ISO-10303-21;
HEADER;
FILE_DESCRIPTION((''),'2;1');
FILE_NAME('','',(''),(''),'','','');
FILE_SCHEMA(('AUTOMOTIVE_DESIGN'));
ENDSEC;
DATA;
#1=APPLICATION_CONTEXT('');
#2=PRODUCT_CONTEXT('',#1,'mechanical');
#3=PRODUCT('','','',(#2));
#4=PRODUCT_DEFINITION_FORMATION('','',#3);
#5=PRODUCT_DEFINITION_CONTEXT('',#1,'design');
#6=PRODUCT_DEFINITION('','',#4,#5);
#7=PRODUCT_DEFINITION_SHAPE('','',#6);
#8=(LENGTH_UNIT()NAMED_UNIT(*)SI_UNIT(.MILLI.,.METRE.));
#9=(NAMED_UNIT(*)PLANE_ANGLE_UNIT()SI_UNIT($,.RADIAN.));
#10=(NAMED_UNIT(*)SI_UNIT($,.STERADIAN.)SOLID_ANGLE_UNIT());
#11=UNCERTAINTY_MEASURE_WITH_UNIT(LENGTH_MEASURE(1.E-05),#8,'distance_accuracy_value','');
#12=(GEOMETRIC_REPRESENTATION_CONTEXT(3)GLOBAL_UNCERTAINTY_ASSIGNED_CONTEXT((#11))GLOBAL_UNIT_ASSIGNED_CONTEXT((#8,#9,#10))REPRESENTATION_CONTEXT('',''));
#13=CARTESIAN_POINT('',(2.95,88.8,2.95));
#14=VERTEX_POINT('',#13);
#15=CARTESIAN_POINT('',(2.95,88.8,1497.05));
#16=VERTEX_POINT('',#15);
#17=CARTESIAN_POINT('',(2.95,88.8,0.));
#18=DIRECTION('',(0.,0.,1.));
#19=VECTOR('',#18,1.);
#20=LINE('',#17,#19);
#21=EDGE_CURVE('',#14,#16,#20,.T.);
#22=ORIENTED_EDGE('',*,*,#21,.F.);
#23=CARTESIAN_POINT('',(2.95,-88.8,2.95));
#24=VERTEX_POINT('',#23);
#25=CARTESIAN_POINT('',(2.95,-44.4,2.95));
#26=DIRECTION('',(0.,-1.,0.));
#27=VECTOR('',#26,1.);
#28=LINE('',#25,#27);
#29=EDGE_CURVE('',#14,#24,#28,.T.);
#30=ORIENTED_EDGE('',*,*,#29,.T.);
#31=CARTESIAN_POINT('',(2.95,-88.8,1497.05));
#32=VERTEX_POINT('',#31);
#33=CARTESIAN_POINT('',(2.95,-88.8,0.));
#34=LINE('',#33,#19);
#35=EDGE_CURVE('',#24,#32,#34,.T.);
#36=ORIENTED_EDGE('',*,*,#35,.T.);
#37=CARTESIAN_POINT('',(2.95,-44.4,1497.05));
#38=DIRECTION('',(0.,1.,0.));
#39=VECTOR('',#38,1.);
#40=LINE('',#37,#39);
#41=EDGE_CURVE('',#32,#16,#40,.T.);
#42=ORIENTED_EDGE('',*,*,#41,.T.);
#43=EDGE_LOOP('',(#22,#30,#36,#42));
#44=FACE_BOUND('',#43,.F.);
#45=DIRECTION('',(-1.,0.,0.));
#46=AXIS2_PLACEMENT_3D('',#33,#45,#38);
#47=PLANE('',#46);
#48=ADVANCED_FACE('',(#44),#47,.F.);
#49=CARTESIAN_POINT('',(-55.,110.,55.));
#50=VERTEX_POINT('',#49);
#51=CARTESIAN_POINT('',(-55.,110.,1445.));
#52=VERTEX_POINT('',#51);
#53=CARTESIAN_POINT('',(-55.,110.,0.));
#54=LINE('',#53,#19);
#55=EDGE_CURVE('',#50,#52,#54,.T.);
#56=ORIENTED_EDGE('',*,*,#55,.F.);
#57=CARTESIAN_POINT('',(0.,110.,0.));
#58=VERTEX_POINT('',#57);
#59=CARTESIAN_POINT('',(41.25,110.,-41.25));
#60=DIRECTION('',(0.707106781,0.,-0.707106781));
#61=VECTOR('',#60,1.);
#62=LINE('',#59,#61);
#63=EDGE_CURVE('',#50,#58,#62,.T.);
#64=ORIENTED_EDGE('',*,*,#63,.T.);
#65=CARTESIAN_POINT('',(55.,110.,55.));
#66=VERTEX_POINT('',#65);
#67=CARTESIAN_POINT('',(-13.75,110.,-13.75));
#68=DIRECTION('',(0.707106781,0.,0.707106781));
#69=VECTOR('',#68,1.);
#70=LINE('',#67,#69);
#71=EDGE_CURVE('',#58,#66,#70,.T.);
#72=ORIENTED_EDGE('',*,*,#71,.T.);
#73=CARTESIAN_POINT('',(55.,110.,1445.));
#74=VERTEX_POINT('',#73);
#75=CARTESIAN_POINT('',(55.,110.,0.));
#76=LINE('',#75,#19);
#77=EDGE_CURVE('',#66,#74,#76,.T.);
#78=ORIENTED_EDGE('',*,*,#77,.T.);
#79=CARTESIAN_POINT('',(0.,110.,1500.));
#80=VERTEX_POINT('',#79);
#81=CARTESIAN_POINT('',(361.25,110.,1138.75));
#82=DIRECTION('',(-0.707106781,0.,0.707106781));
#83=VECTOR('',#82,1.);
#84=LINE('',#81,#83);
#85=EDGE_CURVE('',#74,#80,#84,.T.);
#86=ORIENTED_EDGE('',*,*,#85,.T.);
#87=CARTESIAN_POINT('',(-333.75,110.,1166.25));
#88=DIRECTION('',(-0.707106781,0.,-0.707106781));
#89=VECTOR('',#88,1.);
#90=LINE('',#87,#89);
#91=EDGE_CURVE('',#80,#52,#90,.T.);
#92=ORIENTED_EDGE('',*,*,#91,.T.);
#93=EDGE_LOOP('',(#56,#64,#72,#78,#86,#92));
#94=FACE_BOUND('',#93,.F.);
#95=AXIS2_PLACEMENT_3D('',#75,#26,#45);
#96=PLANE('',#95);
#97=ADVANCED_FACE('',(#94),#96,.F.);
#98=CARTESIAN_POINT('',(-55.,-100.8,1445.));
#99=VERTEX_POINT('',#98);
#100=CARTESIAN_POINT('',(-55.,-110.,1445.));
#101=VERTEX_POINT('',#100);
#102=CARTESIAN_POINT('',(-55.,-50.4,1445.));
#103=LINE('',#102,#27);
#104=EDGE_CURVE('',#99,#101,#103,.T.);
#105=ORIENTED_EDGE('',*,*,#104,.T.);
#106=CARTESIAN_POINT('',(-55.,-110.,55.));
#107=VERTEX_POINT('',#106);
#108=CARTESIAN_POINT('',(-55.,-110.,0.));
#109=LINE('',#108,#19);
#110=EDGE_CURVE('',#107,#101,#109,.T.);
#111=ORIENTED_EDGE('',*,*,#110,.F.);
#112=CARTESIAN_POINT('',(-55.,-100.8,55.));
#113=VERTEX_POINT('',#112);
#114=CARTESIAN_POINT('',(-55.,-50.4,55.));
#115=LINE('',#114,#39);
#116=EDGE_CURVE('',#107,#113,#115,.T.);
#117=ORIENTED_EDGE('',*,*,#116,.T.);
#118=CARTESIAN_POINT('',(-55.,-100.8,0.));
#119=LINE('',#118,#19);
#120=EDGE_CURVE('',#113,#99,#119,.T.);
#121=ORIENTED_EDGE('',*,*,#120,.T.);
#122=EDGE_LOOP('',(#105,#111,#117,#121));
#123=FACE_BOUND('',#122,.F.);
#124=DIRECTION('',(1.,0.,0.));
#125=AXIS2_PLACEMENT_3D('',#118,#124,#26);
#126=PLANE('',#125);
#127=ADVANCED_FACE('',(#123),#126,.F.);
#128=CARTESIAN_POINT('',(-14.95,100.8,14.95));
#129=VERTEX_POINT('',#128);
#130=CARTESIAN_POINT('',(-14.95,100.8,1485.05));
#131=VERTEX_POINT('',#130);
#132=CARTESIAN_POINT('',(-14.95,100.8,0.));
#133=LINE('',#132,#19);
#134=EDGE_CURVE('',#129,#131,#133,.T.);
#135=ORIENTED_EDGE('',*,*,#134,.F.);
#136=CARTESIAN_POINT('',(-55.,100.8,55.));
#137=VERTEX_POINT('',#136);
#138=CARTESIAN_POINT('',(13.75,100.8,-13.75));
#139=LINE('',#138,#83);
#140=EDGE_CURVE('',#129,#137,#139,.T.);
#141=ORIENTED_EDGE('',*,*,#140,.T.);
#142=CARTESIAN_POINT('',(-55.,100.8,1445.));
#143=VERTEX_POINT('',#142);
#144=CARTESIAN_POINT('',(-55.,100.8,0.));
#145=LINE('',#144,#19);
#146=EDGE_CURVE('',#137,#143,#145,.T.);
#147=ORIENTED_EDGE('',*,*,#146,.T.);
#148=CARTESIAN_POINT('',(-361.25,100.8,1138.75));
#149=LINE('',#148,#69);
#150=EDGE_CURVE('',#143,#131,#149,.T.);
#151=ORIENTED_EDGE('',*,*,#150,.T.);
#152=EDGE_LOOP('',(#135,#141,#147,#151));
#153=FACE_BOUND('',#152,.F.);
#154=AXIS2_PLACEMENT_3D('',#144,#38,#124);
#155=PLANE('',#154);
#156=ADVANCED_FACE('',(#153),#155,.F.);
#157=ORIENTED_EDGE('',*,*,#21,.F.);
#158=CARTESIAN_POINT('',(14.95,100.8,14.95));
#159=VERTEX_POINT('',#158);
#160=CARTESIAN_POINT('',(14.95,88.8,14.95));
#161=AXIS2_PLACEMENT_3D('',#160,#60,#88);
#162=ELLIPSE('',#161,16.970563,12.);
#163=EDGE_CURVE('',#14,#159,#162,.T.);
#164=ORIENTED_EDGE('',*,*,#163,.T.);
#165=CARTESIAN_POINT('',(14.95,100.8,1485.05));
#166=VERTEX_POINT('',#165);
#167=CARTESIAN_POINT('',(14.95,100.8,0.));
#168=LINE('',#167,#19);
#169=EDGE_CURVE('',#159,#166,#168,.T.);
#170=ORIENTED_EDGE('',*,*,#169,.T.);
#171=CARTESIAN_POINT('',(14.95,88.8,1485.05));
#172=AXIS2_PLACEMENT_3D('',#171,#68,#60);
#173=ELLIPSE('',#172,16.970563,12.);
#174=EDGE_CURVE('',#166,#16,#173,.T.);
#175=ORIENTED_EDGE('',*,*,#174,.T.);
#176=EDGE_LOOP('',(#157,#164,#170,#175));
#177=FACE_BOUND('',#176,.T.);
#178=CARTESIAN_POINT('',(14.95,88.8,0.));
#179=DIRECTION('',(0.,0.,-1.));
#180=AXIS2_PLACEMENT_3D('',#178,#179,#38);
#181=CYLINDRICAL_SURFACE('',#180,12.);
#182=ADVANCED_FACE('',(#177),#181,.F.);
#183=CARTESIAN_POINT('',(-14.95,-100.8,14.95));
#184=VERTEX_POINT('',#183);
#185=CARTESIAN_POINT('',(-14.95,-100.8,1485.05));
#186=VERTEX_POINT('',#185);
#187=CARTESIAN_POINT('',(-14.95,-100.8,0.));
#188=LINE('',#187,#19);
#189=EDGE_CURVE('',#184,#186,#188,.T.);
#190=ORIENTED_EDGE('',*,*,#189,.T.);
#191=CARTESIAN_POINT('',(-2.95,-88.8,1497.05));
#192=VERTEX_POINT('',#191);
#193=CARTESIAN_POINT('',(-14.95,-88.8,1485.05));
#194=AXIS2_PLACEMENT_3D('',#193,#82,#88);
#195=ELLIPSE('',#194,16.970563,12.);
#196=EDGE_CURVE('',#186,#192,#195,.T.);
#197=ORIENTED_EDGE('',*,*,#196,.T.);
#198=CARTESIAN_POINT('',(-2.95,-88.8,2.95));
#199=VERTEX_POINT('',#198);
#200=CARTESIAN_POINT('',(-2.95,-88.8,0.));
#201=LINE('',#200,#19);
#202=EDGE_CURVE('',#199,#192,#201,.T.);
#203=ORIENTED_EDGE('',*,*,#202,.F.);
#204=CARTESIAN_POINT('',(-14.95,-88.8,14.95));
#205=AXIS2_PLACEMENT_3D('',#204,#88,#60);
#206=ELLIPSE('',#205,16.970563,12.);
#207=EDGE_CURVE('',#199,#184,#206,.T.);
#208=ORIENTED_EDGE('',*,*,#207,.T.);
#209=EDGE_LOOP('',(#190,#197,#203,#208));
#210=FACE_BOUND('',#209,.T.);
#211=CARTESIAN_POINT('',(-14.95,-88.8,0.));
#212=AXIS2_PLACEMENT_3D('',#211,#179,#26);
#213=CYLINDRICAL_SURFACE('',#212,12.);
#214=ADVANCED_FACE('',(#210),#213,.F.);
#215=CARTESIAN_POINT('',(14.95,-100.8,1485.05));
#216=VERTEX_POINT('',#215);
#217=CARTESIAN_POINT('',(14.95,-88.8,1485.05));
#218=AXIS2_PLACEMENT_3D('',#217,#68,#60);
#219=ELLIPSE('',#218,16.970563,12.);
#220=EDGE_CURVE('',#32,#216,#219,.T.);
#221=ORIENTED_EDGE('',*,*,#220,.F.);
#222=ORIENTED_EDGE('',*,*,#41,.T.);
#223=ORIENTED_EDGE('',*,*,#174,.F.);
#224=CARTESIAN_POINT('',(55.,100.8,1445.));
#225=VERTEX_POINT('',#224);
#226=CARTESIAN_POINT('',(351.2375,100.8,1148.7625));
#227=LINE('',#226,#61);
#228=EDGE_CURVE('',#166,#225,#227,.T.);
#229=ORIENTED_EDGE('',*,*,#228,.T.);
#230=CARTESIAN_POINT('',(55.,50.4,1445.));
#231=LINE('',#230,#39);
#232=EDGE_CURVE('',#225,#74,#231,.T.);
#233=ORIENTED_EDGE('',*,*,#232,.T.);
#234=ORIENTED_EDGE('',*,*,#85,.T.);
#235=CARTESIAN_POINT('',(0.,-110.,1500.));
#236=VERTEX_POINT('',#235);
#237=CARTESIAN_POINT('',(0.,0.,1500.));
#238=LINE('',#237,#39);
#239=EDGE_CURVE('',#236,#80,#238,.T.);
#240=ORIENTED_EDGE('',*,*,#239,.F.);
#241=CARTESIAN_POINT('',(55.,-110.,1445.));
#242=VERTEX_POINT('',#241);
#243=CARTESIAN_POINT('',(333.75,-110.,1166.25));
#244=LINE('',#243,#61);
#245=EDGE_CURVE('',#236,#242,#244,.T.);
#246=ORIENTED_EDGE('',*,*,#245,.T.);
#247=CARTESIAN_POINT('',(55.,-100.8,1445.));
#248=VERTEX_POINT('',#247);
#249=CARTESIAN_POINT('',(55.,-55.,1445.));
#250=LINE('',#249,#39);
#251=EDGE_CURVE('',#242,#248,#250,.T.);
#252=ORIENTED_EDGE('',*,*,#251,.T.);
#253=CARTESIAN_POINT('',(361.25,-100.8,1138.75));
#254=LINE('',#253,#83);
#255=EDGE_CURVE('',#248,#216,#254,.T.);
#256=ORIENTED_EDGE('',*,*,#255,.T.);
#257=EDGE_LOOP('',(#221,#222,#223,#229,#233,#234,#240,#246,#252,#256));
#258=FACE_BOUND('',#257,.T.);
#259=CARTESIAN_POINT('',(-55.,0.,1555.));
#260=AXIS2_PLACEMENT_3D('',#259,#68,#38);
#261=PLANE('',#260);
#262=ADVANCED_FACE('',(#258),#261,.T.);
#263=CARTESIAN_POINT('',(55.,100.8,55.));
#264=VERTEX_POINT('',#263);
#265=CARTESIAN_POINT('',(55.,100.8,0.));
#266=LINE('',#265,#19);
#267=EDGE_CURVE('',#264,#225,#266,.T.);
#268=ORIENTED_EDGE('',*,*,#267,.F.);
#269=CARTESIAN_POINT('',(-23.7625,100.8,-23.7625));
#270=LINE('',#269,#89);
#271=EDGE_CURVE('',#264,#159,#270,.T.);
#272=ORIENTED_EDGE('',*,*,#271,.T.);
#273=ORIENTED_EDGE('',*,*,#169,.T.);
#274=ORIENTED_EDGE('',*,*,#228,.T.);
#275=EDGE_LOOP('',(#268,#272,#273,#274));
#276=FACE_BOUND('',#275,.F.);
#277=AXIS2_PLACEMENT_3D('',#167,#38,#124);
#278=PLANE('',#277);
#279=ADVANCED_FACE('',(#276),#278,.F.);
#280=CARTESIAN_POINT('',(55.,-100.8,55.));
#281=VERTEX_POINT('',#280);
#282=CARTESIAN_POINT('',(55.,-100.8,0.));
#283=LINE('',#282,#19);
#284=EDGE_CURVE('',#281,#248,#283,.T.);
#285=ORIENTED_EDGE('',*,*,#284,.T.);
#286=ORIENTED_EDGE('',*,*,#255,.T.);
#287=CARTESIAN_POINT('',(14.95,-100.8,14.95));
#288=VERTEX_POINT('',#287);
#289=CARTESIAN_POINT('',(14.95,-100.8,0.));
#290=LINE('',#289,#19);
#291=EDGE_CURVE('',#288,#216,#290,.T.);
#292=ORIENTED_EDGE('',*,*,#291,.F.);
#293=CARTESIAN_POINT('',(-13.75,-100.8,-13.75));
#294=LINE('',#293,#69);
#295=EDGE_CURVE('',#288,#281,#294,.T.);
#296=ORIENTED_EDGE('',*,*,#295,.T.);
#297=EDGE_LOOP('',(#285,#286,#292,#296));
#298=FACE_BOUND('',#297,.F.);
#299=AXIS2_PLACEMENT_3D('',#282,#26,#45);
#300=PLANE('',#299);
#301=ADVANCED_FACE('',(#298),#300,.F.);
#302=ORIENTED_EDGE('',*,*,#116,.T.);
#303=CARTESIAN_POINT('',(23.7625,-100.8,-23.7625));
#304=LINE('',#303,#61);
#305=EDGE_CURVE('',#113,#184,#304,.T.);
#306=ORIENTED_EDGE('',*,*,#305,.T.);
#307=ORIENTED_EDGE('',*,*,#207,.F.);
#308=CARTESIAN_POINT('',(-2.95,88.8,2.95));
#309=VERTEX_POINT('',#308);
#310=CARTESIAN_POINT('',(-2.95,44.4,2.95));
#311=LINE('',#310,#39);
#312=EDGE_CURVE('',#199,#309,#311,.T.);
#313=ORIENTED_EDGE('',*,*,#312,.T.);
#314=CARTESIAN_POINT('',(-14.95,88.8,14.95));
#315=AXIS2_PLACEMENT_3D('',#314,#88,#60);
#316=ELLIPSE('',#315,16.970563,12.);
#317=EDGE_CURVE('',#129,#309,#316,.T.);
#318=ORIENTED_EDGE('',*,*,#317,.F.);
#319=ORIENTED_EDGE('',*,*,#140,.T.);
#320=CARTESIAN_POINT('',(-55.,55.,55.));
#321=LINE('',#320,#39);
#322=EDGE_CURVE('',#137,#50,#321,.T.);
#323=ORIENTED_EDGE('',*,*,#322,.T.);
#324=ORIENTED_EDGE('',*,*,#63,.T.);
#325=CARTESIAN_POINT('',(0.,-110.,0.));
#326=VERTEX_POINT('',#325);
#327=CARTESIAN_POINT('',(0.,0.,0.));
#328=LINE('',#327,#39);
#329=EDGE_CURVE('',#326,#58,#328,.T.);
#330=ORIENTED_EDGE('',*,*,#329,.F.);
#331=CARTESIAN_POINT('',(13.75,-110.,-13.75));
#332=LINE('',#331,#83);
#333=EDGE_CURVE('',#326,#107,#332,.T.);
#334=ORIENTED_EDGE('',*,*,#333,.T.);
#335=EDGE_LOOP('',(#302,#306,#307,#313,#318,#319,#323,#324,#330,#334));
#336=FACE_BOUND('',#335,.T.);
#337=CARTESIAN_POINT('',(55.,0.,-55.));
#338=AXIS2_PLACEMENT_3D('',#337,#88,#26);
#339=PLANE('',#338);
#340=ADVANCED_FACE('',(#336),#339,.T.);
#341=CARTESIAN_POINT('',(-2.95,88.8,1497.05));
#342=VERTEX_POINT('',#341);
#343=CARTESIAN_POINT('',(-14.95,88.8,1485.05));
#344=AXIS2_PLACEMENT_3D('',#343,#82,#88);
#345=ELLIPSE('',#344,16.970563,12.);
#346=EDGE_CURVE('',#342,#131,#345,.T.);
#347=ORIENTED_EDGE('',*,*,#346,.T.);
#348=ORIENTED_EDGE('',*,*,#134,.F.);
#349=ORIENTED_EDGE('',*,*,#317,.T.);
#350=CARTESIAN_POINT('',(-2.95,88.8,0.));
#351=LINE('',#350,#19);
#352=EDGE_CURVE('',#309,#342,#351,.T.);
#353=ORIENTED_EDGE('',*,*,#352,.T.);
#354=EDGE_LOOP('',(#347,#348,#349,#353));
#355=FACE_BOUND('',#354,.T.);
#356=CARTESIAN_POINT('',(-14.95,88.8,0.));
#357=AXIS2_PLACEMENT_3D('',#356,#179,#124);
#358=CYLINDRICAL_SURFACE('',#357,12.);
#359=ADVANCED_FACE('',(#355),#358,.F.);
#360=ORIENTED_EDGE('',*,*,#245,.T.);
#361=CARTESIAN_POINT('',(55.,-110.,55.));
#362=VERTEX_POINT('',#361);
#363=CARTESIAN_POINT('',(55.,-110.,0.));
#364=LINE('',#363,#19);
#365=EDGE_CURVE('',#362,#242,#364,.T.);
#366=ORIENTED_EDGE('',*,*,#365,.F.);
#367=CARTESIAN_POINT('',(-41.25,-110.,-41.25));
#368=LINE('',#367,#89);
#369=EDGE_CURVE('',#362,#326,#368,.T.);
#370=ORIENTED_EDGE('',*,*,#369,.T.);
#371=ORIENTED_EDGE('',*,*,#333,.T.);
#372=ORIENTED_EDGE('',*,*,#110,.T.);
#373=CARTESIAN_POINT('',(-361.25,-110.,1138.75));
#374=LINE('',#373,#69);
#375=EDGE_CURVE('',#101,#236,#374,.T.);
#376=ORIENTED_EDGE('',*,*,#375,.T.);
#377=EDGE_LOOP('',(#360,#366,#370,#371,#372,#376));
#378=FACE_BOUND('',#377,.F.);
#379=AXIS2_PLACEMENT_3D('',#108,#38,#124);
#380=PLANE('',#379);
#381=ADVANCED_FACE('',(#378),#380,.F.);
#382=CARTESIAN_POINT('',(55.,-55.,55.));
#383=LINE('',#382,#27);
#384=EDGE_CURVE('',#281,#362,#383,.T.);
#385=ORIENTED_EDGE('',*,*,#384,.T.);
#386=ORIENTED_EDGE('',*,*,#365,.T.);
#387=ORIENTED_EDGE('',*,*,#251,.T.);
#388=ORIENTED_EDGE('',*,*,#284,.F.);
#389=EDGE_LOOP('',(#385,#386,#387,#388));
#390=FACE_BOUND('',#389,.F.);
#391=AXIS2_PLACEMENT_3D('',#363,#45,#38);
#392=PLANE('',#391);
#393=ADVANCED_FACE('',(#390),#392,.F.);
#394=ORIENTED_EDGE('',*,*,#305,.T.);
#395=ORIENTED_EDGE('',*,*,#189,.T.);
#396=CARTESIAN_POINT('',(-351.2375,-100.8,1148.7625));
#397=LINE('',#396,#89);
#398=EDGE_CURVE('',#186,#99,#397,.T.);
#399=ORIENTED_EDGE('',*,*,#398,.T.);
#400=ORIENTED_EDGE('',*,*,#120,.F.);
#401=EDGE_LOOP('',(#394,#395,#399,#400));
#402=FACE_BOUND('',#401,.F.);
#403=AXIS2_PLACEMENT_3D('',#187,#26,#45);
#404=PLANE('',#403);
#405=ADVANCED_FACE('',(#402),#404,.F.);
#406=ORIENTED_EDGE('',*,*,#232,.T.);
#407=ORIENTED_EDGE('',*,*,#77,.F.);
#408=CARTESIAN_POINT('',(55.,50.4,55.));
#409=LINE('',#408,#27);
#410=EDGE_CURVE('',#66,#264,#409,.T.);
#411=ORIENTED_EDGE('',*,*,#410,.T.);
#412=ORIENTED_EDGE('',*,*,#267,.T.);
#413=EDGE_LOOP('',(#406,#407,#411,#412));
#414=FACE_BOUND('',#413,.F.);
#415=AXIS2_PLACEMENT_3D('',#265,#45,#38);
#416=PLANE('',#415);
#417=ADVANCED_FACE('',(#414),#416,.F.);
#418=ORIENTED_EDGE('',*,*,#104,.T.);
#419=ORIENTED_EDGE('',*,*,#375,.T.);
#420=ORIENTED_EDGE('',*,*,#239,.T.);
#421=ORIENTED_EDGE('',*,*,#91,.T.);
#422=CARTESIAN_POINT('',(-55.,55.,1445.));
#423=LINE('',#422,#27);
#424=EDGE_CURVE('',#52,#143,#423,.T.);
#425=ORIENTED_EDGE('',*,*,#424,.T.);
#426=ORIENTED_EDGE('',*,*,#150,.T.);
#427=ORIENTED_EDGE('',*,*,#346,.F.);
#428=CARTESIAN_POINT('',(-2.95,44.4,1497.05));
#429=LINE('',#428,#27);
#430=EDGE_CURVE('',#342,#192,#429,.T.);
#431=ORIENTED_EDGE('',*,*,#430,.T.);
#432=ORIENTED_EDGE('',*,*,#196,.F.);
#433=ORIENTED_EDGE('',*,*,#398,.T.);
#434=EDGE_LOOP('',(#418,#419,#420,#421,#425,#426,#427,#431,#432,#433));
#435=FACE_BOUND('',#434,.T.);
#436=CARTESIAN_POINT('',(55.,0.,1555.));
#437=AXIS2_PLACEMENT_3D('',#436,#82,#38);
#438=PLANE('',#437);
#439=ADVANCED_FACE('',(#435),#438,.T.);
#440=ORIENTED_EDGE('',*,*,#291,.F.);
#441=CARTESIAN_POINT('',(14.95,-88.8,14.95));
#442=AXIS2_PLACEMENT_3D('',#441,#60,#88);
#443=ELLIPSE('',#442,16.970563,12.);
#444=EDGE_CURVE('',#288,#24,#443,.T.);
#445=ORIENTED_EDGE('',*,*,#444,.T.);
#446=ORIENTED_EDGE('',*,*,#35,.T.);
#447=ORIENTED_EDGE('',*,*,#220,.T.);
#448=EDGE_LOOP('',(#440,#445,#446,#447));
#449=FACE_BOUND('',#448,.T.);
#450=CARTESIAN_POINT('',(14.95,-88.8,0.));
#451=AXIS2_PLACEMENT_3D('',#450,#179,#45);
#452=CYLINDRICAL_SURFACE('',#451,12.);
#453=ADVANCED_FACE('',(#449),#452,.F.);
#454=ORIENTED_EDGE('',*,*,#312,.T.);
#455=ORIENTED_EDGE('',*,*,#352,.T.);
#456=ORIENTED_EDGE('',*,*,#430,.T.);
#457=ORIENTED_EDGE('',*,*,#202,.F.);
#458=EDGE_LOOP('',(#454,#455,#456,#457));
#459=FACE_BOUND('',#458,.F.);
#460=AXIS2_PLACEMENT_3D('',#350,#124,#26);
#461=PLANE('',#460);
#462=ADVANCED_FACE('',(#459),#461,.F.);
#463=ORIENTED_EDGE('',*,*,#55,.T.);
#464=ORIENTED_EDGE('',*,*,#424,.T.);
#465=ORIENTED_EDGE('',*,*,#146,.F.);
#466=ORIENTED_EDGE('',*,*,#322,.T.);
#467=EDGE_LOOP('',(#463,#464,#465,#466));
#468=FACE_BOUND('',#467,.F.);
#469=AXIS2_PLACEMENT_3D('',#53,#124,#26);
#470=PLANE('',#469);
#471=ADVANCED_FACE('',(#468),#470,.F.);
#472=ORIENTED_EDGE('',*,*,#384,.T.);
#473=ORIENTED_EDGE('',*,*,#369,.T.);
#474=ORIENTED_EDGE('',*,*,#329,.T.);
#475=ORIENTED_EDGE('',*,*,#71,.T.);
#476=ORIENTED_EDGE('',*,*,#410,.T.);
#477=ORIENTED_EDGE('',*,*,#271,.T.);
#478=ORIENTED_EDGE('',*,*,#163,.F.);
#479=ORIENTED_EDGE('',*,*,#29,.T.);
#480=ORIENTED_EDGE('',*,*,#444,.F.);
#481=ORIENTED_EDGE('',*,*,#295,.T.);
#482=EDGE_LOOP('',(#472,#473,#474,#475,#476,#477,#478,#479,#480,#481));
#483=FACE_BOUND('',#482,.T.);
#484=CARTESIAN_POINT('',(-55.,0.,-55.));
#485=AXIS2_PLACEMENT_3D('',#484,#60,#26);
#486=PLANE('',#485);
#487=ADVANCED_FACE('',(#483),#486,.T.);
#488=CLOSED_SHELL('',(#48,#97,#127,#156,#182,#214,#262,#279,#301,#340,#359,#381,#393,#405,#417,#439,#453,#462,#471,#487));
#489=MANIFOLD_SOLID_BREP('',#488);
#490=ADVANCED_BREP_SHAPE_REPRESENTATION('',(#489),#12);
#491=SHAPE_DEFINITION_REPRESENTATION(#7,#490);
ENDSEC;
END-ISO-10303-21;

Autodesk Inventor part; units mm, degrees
ref_plane "Start plane" through (0, 0, 0) normal (0, 0, 1) x (1, 0, 0)
ref_plane "End plane" through (0, 0, 1500) normal (0, 0, 1) x (1, 0, 0)
sketch "Sketch2" plane through (0, 0, 0) normal (0, 0, 1) x (1, 0, 0)
  line L0 (-55, 100.8) -> (-14.95, 100.8)
  line L1 (-55, 110) -> (-55, 100.8)
  line L2 (55, 110) -> (-55, 110)
  line L3 (55, 100.8) -> (55, 110)
  line L4 (14.95, 100.8) -> (55, 100.8)
  line L5 (2.95, -88.8) -> (2.95, 88.8)
  line L6 (55, -100.8) -> (14.95, -100.8)
  line L7 (55, -110) -> (55, -100.8)
  line L8 (-55, -100.8) -> (-55, -110)
  line L9 (-14.95, -100.8) -> (-55, -100.8)
  line L10 (-2.95, 88.8) -> (-2.95, -88.8)
  line L11 (0, -154) -> (0, 154) construction
  line L12 (-2.95, -100.8) -> (2.95, -100.8) construction
  arc A0 (-14.95, -100.8) -> (-2.95, -88.8) centre (-14.95, -88.8) ccw
  arc A1 (-2.95, 88.8) -> (-14.95, 100.8) centre (-14.95, 88.8) ccw
  arc A2 (14.95, 100.8) -> (2.95, 88.8) centre (14.95, 88.8) ccw
  arc A3 (2.95, -88.8) -> (14.95, -100.8) centre (14.95, -88.8) ccw
  line L13 (-77, 0) -> (77, 0) construction
  line L14 (-55, -110) -> (55, -110)
  point P0 (-2.95, 100.8)
  point P1 (2.95, 100.8)
  point P2 (0, 0)
  point P3 (0, -100.8)
  point P4 (0, 0)
  dimension "d1" = 220
  dimension "d3" = 9.2
  dimension "d5" = 5.9
  dimension "d7" = 110
  dimension "d13" = 12
  dimension "d14" = 110
  dimension "d15" = 55
extrude "Body" add sketch "Sketch2" along normal up to surface (1500 mm away) from surface at 0
sketch "Sketch3" plane through (0, 0, 0) normal (0, 0, 1) x (1, 0, 0)
  line L0 (0, 0) -> (10, 0)
ref_plane "Work Plane3" through (0, 0, 0) normal (0, -1, 0) x (1, 0, 0)
ref_plane "Work Plane4" through (-55, 0, -55) normal (0.7071, 0, -0.7071) x (-0.7071, 0, -0.7071)
split "Split1" plane through (-55, 0, -55) removes the side toward (0.7071, 0, -0.7071)
ref_plane "Work Plane5" through (-55, 0, 1555) normal (0.7071, 0, 0.7071) x (0.7071, 0, -0.7071)
split "Split2" plane through (-55, 0, 1555) removes the side toward (0.7071, 0, 0.7071)
ref_plane "Work Plane6" through (55, 0, -55) normal (-0.7071, 0, -0.7071) x (-0.7071, 0, 0.7071)
split "Split3" plane through (55, 0, -55) removes the side toward (-0.7071, 0, -0.7071)
ref_plane "Work Plane7" through (55, 0, 1555) normal (-0.7071, 0, 0.7071) x (0.7071, 0, 0.7071)
split "Split4" plane through (55, 0, 1555) removes the side toward (-0.7071, 0, 0.7071)
sketch "Sketch4" plane through (0, 0, 0) normal (0, -1, 0) x (1, 0, 0)
  line L0 (-2, 0) -> (12, 0) projected
  line L1 (-2, 1500) -> (12, 1500) projected
  dimension "d19" = 1500
equation "\"d1\" = ParH"
equation "\"d3\" = t2"
equation "\"d5\" = t1"
equation "\"d7\" = b"
equation "\"d13\" = R1"
equation "\"d14\" = 0.5 * d1"
equation "\"d15\" = 0.5 * d7"
equation "\"d8\" = G_L"
equation "\"b\" = 110"
equation "\"ParH\" = 220"
equation "\"R1\" = 12"
equation "\"G_L\" = d19"
equation "\"t1\" = 5.9"
equation "\"t2\" = 9.2"
equation "\"G_OFFSET_START\" = 0"
equation "\"G_OFFSET_END\" = 0"
properties part number "DIN 1025 - IPE 220-1500" material "Steel, Mild"
